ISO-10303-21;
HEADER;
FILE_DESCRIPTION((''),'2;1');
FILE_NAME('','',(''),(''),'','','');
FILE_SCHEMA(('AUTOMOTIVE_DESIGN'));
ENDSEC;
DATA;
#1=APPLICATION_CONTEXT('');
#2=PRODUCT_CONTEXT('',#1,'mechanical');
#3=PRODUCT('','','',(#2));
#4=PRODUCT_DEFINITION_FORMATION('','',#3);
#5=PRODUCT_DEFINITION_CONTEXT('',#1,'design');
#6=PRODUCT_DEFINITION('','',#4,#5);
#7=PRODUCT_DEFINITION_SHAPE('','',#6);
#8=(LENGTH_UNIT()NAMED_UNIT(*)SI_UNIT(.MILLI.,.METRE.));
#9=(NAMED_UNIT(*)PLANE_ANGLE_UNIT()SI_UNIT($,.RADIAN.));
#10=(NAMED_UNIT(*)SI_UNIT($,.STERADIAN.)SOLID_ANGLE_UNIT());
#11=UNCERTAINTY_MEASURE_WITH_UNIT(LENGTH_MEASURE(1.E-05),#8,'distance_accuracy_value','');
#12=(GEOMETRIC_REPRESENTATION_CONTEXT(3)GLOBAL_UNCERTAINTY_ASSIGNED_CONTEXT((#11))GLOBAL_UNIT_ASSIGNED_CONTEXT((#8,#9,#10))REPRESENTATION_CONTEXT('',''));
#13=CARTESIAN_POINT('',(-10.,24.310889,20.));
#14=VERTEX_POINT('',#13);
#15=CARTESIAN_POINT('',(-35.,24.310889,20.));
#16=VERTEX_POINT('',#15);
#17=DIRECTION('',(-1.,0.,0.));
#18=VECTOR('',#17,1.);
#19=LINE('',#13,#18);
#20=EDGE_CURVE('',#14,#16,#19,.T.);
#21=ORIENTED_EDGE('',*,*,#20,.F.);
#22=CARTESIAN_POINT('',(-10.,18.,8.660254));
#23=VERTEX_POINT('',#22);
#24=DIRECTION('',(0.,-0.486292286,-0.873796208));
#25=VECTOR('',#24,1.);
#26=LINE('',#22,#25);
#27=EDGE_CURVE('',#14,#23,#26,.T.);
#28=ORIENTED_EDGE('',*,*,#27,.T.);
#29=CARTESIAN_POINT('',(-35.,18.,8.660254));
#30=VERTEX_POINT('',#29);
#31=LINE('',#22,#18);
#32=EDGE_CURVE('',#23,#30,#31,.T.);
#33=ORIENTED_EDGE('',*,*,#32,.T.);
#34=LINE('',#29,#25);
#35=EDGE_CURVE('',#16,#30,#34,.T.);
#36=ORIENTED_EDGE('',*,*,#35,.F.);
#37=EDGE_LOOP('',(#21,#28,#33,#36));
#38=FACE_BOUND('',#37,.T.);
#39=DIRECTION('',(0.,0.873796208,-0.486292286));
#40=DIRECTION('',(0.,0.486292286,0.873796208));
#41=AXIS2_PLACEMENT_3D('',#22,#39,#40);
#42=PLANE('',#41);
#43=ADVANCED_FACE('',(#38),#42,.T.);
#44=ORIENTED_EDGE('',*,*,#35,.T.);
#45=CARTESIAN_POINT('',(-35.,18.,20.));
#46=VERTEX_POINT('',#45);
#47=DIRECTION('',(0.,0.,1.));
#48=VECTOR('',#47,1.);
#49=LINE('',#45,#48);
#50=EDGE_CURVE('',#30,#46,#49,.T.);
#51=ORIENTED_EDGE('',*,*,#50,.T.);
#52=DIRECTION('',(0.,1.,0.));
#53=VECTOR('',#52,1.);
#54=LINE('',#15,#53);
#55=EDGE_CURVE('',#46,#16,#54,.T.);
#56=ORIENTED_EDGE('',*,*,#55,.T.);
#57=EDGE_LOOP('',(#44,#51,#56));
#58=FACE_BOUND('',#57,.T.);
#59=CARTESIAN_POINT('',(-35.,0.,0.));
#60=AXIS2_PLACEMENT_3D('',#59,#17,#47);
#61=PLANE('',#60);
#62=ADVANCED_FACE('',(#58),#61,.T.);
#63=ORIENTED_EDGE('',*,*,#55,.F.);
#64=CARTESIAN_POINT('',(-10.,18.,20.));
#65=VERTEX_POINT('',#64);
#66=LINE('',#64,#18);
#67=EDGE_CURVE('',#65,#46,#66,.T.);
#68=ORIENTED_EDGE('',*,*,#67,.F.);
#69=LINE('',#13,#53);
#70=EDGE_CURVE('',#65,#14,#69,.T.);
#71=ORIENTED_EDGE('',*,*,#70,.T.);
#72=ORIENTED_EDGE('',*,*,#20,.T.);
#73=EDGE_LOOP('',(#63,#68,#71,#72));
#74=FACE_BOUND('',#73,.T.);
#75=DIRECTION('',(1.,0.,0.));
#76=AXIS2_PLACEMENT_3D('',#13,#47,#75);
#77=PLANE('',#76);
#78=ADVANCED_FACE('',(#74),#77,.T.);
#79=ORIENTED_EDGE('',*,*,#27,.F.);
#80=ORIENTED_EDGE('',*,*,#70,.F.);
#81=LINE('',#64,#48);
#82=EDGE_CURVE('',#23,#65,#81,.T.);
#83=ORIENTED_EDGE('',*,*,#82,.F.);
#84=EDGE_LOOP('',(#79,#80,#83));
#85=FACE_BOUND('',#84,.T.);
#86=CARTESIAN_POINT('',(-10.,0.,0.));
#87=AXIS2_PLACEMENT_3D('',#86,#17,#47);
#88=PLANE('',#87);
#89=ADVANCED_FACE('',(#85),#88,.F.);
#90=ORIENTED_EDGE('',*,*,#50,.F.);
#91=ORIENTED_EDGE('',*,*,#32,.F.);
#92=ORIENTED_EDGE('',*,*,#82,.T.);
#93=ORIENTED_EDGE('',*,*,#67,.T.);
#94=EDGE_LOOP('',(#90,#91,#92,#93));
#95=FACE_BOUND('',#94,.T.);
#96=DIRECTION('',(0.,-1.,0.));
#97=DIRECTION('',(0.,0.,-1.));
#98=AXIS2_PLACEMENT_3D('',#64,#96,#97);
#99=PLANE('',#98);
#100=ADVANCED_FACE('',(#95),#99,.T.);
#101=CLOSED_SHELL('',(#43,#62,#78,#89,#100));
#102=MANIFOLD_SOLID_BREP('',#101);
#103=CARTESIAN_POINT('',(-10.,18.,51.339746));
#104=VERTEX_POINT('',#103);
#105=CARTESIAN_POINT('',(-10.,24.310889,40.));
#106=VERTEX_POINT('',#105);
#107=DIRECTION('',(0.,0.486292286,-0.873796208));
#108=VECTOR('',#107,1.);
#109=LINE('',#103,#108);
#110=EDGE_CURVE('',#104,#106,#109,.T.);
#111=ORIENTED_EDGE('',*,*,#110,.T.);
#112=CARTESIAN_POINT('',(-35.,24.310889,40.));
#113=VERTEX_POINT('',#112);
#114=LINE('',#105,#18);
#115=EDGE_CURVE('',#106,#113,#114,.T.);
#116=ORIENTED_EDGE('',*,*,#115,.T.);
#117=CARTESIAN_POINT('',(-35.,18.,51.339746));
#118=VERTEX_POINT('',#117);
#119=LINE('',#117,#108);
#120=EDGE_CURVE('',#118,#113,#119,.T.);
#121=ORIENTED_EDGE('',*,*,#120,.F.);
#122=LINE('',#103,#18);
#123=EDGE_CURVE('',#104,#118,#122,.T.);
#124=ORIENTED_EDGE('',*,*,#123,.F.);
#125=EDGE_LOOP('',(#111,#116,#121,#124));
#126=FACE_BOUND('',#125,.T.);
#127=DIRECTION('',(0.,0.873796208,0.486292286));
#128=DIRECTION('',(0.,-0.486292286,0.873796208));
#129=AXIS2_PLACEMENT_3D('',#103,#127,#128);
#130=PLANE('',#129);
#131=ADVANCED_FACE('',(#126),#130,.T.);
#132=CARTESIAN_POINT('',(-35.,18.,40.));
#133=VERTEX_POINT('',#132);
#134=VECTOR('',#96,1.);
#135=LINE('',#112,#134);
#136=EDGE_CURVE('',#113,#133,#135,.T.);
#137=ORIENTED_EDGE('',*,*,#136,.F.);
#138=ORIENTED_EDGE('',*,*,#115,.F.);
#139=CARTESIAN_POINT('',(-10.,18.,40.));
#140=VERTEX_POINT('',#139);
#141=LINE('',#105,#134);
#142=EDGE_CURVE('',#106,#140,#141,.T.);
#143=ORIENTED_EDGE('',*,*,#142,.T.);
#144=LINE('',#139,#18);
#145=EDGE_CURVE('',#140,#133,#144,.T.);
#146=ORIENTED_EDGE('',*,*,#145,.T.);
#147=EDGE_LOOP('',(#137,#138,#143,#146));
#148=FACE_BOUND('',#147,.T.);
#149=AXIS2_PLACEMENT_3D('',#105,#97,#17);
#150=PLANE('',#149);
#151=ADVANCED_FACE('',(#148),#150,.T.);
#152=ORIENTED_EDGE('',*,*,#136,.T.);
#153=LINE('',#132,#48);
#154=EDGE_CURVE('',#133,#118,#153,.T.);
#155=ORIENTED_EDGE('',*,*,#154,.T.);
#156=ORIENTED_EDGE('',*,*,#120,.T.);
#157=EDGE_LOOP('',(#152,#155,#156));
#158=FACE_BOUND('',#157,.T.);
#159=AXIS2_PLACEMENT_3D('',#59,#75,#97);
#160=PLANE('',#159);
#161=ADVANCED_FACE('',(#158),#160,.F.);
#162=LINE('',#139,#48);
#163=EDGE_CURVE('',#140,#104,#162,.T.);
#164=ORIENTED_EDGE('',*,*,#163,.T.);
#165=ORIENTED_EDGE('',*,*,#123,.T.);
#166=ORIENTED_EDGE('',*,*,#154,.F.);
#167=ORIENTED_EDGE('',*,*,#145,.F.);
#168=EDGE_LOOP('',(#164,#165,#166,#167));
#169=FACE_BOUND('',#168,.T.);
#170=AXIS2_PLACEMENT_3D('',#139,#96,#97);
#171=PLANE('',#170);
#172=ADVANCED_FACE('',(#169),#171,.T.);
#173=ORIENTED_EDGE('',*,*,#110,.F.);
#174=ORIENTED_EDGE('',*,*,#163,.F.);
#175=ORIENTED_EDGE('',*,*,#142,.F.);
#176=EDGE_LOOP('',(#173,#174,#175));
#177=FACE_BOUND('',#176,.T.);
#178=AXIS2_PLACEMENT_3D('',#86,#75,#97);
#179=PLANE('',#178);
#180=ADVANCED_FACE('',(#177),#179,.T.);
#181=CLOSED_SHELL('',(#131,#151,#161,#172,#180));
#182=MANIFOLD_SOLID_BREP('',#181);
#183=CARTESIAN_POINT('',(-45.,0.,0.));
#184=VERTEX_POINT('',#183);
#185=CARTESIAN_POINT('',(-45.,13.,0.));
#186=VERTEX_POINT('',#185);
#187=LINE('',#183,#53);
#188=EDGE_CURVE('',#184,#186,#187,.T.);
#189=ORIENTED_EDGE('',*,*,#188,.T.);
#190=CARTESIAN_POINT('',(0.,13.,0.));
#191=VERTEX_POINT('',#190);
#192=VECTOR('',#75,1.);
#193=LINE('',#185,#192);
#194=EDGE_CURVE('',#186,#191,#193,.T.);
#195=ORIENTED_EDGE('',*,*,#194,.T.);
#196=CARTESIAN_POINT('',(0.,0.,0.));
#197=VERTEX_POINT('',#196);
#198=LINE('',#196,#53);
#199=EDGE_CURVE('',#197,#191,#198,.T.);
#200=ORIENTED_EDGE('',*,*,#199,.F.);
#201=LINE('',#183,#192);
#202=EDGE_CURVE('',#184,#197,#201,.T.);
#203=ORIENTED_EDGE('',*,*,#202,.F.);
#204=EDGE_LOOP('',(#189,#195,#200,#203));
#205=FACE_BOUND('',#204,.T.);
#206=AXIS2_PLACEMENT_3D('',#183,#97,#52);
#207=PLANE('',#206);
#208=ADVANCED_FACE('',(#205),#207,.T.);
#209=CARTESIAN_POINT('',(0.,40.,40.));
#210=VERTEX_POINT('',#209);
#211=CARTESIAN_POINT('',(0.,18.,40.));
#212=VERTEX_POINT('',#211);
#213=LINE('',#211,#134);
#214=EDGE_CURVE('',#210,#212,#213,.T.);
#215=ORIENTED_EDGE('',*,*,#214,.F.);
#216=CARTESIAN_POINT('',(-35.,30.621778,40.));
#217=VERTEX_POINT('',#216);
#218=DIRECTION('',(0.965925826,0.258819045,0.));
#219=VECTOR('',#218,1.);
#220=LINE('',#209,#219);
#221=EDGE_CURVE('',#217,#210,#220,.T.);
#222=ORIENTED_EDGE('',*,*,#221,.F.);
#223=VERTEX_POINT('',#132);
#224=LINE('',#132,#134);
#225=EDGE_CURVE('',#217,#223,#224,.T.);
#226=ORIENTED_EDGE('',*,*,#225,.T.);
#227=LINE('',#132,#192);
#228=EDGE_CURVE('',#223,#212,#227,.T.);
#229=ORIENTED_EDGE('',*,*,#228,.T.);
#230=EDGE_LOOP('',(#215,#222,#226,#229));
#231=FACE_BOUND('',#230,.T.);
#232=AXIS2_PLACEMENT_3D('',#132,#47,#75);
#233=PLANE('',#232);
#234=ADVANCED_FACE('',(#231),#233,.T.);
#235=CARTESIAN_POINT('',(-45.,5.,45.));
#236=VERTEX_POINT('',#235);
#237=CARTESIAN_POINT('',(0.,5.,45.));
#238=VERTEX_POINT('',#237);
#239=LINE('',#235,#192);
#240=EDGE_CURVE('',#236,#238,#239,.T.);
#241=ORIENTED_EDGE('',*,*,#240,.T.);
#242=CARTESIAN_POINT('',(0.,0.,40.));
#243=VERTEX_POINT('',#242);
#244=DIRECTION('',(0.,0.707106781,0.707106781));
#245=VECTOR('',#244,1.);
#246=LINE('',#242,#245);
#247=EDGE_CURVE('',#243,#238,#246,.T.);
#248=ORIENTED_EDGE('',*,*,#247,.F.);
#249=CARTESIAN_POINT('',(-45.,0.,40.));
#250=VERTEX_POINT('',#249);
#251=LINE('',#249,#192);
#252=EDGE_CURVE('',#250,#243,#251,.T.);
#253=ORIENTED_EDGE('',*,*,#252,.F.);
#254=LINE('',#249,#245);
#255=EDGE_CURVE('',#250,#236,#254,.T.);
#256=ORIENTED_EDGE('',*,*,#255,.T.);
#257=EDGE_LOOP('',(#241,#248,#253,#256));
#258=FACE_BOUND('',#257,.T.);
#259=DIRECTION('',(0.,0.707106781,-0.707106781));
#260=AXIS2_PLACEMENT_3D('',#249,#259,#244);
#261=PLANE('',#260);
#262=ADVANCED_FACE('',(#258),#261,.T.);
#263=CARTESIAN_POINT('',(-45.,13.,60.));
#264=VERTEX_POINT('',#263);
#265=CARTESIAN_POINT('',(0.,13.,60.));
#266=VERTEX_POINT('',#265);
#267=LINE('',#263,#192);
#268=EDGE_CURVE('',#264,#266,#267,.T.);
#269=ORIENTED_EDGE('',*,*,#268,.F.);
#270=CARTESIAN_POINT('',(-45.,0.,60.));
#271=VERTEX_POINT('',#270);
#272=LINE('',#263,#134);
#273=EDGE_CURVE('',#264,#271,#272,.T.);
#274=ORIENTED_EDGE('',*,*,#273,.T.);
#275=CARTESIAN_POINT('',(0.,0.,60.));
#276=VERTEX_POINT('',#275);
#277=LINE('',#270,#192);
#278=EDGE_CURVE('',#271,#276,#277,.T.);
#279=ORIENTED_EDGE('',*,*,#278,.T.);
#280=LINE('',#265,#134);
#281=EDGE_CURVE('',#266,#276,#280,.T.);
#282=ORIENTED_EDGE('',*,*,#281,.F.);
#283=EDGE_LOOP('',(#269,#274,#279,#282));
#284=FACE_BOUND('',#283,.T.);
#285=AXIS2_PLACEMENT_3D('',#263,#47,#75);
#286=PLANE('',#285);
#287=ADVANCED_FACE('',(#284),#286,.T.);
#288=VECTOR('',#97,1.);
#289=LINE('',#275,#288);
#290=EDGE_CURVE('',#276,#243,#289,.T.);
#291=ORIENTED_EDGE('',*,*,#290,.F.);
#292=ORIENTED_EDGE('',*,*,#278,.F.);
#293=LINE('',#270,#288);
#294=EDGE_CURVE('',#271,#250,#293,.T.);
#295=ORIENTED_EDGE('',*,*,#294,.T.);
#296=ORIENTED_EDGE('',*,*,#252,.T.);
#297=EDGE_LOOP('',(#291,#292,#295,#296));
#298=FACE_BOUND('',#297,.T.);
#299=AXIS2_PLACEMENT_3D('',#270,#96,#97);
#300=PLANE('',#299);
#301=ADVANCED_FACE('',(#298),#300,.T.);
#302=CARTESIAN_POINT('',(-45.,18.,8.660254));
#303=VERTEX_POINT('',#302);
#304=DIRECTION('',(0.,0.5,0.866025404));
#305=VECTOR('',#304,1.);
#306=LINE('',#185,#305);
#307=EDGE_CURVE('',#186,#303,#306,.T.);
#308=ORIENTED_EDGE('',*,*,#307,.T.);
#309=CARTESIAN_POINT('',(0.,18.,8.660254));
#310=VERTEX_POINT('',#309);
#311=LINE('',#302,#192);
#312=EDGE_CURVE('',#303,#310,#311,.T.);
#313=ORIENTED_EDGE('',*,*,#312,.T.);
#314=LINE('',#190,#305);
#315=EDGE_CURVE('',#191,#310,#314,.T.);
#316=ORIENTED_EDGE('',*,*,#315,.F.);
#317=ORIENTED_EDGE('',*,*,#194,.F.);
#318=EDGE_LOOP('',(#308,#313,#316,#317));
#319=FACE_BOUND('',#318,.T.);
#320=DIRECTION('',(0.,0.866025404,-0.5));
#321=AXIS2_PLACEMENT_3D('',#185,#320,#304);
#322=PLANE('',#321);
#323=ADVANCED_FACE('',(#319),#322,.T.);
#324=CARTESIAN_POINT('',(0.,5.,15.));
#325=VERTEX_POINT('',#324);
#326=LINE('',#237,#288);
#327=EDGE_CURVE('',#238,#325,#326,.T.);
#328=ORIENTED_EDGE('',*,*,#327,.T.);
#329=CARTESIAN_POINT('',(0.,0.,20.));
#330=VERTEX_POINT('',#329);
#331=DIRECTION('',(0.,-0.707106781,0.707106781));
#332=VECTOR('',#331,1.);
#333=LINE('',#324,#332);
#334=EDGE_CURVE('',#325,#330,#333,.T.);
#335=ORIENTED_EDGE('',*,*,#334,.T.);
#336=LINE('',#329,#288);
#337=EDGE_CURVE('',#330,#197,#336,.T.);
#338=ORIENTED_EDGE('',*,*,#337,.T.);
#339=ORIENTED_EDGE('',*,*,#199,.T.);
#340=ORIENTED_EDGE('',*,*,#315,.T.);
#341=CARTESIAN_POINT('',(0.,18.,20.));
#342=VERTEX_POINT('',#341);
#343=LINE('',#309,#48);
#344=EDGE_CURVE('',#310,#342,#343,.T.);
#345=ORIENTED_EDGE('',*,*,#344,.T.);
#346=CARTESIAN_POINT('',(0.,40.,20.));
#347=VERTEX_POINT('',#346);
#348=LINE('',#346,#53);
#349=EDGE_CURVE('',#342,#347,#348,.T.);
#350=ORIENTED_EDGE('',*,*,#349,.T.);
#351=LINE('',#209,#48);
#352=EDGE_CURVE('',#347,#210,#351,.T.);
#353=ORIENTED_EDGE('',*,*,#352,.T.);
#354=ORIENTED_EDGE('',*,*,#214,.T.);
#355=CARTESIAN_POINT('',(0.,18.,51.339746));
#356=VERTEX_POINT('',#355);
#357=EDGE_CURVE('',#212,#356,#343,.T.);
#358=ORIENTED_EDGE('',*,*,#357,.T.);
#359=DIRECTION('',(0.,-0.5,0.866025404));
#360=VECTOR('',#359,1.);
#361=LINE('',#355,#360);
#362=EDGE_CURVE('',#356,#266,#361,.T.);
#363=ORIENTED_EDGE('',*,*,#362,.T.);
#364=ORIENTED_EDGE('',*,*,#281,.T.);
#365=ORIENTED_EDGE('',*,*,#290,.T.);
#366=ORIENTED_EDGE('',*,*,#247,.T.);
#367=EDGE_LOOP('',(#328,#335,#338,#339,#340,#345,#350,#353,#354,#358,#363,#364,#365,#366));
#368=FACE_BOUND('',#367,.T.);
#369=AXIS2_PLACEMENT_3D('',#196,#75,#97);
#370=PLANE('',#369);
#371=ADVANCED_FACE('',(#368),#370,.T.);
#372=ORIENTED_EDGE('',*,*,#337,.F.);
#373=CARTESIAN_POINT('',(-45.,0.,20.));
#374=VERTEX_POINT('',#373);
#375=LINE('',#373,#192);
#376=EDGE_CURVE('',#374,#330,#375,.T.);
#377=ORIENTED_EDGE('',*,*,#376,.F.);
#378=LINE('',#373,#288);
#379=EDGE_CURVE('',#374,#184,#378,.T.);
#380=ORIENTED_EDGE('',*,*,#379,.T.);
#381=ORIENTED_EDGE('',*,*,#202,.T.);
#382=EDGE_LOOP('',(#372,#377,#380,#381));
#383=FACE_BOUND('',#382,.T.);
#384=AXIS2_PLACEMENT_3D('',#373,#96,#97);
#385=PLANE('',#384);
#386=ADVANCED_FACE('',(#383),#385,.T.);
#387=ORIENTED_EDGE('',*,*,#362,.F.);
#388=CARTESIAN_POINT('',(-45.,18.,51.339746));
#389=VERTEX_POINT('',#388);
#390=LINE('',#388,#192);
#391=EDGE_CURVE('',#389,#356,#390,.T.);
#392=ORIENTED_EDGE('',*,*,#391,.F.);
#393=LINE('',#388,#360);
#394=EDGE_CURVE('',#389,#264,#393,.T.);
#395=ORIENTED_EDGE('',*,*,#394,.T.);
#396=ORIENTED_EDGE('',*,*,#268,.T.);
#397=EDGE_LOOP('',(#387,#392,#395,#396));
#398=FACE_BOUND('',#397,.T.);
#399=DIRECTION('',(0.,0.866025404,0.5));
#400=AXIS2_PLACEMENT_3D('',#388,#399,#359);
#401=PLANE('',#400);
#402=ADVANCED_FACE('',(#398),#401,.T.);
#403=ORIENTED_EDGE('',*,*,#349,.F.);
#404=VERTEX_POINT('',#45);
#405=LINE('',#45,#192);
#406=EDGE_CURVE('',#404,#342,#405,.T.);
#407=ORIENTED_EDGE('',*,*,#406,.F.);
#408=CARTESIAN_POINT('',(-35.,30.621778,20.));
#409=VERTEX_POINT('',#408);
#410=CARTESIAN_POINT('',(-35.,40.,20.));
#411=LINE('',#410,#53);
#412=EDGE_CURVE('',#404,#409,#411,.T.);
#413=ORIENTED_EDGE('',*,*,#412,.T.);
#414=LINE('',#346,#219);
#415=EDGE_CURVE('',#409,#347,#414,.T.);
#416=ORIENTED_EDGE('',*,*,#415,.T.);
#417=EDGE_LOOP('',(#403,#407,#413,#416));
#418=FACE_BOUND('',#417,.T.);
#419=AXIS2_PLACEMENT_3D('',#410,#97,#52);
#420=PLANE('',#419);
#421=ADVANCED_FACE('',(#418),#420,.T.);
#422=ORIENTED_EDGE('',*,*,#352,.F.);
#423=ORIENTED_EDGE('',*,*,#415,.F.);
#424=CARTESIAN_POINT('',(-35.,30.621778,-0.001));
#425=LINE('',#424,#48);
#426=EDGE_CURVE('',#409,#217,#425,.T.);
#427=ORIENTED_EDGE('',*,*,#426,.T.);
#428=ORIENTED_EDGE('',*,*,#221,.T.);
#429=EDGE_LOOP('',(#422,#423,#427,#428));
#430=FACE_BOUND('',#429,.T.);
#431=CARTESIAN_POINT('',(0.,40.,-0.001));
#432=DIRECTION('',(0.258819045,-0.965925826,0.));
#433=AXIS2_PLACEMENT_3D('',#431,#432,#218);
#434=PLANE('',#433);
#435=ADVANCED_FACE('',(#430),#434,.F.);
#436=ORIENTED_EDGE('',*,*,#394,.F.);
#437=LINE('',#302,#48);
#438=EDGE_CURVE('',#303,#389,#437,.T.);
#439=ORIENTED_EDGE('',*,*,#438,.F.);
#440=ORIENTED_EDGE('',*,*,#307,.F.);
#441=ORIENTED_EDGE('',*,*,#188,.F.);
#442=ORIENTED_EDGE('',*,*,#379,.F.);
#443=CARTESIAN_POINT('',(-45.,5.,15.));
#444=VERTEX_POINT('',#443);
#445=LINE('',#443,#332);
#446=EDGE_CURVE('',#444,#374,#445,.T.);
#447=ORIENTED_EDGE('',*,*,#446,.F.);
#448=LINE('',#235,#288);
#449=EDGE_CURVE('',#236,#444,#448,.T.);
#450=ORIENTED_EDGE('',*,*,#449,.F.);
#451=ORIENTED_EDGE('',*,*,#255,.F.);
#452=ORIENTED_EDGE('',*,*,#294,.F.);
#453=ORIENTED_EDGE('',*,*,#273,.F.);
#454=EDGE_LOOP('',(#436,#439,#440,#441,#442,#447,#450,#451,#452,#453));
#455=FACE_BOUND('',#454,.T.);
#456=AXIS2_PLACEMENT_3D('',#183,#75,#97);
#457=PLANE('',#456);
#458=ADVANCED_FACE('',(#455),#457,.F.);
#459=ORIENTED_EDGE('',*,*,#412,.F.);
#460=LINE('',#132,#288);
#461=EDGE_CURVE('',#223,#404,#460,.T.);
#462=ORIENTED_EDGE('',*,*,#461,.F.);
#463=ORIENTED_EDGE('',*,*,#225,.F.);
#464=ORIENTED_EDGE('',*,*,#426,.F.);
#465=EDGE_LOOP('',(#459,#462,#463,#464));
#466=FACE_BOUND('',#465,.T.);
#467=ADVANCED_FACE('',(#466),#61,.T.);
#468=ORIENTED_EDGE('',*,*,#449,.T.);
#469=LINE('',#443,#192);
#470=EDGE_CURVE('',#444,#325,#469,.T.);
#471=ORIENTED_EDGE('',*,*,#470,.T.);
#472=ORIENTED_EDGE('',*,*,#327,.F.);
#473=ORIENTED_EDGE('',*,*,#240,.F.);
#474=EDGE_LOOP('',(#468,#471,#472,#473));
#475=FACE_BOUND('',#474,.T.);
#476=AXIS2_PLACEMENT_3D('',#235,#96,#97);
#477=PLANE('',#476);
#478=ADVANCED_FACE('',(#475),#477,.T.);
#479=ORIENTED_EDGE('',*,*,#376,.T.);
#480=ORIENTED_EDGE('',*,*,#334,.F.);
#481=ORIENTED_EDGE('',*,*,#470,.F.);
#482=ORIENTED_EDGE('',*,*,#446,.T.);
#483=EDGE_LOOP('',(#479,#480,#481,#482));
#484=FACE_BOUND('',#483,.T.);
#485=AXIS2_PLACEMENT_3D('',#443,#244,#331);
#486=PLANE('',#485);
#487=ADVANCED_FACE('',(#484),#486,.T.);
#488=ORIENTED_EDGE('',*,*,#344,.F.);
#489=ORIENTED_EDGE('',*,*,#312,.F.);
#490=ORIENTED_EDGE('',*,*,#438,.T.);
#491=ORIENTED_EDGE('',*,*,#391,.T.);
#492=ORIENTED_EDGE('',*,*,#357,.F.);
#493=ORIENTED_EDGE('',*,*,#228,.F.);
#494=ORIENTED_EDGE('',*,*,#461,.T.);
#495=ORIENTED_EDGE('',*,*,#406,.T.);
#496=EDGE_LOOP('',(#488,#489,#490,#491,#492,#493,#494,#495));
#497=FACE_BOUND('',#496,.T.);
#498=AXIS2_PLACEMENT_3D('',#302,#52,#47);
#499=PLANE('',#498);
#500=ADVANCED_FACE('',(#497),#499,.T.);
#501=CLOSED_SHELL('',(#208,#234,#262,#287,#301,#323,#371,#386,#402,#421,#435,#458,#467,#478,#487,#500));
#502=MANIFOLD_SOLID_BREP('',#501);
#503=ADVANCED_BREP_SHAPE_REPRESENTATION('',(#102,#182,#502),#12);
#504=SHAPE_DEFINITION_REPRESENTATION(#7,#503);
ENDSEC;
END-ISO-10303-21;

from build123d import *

# Parameters (mm, degrees)
RESSALTO_EXTRUS_O1_DEPTH   = 45
ESBO_O2_W                  = 20
ESBO_O2_H                  = 22
RESSALTO_EXTRUS_O2_DEPTH   = 35
CORTE_EXTRUS_O1_REACH      = 74.284
RESSALTO_EXTRUS_O3_DEPTH   = 25
RESSALTO_EXTRUS_O3_2_DEPTH = 25


with BuildPart() as part:
    # Esboço1 → Ressalto-extrusão1 (new body)
    with BuildSketch(Plane(origin=(0, 0, 0), x_dir=(0, 0, -1), z_dir=(1, 0, 0))):
        Polygon((-40, 0), (-45, 5), (-15, 5), (-20, 0), (0, 0), (0, 13), (-8.660254038, 18), (-51.339745962, 18), (-60, 13), (-60, 0), align=None)
    extrude(amount=-RESSALTO_EXTRUS_O1_DEPTH)

    # Esboço2 → Ressalto-extrusão2 (add)
    with BuildSketch(Plane(origin=(0, 0, 0), x_dir=(0, 0, -1), z_dir=(1, 0, 0))):
        with Locations((-30, 29)):
            Rectangle(ESBO_O2_W, ESBO_O2_H)
    extrude(amount=-RESSALTO_EXTRUS_O2_DEPTH)

    # Esboço3 → Corte-extrusão1 (cut, up to next)
    with BuildSketch(Plane.XY.offset(40), mode=Mode.PRIVATE) as corte_extrus_o1_sk1:
        Polygon((0, 40), (-35, 30.621778265), (-35, 40), align=None)
    corte_extrus_o1_tool1 = extrude(corte_extrus_o1_sk1.sketch, amount=-CORTE_EXTRUS_O1_REACH, mode=Mode.PRIVATE) & part.part
    add(corte_extrus_o1_tool1.solids().sort_by_distance((-23.333333, 36.873926, 40))[0], mode=Mode.SUBTRACT)


with BuildPart() as body_2:
    # Esboço4 → Ressalto-extrusão3 (new body)
    with BuildSketch(Plane.ZY.offset(35)):
        Polygon((8.660254038, 18), (20, 24.310889132), (20, 18), align=None)
    extrude(amount=-RESSALTO_EXTRUS_O3_DEPTH)


with BuildPart() as body_3:
    # Esboço4 → Ressalto-extrus_o3 2 (new body)
    with BuildSketch(Plane.ZY.offset(35)):
        Polygon((51.339745962, 18), (40, 24.310889132), (40, 18), align=None)
    extrude(amount=-RESSALTO_EXTRUS_O3_2_DEPTH)


solid = Compound([part.part, body_2.part, body_3.part])
